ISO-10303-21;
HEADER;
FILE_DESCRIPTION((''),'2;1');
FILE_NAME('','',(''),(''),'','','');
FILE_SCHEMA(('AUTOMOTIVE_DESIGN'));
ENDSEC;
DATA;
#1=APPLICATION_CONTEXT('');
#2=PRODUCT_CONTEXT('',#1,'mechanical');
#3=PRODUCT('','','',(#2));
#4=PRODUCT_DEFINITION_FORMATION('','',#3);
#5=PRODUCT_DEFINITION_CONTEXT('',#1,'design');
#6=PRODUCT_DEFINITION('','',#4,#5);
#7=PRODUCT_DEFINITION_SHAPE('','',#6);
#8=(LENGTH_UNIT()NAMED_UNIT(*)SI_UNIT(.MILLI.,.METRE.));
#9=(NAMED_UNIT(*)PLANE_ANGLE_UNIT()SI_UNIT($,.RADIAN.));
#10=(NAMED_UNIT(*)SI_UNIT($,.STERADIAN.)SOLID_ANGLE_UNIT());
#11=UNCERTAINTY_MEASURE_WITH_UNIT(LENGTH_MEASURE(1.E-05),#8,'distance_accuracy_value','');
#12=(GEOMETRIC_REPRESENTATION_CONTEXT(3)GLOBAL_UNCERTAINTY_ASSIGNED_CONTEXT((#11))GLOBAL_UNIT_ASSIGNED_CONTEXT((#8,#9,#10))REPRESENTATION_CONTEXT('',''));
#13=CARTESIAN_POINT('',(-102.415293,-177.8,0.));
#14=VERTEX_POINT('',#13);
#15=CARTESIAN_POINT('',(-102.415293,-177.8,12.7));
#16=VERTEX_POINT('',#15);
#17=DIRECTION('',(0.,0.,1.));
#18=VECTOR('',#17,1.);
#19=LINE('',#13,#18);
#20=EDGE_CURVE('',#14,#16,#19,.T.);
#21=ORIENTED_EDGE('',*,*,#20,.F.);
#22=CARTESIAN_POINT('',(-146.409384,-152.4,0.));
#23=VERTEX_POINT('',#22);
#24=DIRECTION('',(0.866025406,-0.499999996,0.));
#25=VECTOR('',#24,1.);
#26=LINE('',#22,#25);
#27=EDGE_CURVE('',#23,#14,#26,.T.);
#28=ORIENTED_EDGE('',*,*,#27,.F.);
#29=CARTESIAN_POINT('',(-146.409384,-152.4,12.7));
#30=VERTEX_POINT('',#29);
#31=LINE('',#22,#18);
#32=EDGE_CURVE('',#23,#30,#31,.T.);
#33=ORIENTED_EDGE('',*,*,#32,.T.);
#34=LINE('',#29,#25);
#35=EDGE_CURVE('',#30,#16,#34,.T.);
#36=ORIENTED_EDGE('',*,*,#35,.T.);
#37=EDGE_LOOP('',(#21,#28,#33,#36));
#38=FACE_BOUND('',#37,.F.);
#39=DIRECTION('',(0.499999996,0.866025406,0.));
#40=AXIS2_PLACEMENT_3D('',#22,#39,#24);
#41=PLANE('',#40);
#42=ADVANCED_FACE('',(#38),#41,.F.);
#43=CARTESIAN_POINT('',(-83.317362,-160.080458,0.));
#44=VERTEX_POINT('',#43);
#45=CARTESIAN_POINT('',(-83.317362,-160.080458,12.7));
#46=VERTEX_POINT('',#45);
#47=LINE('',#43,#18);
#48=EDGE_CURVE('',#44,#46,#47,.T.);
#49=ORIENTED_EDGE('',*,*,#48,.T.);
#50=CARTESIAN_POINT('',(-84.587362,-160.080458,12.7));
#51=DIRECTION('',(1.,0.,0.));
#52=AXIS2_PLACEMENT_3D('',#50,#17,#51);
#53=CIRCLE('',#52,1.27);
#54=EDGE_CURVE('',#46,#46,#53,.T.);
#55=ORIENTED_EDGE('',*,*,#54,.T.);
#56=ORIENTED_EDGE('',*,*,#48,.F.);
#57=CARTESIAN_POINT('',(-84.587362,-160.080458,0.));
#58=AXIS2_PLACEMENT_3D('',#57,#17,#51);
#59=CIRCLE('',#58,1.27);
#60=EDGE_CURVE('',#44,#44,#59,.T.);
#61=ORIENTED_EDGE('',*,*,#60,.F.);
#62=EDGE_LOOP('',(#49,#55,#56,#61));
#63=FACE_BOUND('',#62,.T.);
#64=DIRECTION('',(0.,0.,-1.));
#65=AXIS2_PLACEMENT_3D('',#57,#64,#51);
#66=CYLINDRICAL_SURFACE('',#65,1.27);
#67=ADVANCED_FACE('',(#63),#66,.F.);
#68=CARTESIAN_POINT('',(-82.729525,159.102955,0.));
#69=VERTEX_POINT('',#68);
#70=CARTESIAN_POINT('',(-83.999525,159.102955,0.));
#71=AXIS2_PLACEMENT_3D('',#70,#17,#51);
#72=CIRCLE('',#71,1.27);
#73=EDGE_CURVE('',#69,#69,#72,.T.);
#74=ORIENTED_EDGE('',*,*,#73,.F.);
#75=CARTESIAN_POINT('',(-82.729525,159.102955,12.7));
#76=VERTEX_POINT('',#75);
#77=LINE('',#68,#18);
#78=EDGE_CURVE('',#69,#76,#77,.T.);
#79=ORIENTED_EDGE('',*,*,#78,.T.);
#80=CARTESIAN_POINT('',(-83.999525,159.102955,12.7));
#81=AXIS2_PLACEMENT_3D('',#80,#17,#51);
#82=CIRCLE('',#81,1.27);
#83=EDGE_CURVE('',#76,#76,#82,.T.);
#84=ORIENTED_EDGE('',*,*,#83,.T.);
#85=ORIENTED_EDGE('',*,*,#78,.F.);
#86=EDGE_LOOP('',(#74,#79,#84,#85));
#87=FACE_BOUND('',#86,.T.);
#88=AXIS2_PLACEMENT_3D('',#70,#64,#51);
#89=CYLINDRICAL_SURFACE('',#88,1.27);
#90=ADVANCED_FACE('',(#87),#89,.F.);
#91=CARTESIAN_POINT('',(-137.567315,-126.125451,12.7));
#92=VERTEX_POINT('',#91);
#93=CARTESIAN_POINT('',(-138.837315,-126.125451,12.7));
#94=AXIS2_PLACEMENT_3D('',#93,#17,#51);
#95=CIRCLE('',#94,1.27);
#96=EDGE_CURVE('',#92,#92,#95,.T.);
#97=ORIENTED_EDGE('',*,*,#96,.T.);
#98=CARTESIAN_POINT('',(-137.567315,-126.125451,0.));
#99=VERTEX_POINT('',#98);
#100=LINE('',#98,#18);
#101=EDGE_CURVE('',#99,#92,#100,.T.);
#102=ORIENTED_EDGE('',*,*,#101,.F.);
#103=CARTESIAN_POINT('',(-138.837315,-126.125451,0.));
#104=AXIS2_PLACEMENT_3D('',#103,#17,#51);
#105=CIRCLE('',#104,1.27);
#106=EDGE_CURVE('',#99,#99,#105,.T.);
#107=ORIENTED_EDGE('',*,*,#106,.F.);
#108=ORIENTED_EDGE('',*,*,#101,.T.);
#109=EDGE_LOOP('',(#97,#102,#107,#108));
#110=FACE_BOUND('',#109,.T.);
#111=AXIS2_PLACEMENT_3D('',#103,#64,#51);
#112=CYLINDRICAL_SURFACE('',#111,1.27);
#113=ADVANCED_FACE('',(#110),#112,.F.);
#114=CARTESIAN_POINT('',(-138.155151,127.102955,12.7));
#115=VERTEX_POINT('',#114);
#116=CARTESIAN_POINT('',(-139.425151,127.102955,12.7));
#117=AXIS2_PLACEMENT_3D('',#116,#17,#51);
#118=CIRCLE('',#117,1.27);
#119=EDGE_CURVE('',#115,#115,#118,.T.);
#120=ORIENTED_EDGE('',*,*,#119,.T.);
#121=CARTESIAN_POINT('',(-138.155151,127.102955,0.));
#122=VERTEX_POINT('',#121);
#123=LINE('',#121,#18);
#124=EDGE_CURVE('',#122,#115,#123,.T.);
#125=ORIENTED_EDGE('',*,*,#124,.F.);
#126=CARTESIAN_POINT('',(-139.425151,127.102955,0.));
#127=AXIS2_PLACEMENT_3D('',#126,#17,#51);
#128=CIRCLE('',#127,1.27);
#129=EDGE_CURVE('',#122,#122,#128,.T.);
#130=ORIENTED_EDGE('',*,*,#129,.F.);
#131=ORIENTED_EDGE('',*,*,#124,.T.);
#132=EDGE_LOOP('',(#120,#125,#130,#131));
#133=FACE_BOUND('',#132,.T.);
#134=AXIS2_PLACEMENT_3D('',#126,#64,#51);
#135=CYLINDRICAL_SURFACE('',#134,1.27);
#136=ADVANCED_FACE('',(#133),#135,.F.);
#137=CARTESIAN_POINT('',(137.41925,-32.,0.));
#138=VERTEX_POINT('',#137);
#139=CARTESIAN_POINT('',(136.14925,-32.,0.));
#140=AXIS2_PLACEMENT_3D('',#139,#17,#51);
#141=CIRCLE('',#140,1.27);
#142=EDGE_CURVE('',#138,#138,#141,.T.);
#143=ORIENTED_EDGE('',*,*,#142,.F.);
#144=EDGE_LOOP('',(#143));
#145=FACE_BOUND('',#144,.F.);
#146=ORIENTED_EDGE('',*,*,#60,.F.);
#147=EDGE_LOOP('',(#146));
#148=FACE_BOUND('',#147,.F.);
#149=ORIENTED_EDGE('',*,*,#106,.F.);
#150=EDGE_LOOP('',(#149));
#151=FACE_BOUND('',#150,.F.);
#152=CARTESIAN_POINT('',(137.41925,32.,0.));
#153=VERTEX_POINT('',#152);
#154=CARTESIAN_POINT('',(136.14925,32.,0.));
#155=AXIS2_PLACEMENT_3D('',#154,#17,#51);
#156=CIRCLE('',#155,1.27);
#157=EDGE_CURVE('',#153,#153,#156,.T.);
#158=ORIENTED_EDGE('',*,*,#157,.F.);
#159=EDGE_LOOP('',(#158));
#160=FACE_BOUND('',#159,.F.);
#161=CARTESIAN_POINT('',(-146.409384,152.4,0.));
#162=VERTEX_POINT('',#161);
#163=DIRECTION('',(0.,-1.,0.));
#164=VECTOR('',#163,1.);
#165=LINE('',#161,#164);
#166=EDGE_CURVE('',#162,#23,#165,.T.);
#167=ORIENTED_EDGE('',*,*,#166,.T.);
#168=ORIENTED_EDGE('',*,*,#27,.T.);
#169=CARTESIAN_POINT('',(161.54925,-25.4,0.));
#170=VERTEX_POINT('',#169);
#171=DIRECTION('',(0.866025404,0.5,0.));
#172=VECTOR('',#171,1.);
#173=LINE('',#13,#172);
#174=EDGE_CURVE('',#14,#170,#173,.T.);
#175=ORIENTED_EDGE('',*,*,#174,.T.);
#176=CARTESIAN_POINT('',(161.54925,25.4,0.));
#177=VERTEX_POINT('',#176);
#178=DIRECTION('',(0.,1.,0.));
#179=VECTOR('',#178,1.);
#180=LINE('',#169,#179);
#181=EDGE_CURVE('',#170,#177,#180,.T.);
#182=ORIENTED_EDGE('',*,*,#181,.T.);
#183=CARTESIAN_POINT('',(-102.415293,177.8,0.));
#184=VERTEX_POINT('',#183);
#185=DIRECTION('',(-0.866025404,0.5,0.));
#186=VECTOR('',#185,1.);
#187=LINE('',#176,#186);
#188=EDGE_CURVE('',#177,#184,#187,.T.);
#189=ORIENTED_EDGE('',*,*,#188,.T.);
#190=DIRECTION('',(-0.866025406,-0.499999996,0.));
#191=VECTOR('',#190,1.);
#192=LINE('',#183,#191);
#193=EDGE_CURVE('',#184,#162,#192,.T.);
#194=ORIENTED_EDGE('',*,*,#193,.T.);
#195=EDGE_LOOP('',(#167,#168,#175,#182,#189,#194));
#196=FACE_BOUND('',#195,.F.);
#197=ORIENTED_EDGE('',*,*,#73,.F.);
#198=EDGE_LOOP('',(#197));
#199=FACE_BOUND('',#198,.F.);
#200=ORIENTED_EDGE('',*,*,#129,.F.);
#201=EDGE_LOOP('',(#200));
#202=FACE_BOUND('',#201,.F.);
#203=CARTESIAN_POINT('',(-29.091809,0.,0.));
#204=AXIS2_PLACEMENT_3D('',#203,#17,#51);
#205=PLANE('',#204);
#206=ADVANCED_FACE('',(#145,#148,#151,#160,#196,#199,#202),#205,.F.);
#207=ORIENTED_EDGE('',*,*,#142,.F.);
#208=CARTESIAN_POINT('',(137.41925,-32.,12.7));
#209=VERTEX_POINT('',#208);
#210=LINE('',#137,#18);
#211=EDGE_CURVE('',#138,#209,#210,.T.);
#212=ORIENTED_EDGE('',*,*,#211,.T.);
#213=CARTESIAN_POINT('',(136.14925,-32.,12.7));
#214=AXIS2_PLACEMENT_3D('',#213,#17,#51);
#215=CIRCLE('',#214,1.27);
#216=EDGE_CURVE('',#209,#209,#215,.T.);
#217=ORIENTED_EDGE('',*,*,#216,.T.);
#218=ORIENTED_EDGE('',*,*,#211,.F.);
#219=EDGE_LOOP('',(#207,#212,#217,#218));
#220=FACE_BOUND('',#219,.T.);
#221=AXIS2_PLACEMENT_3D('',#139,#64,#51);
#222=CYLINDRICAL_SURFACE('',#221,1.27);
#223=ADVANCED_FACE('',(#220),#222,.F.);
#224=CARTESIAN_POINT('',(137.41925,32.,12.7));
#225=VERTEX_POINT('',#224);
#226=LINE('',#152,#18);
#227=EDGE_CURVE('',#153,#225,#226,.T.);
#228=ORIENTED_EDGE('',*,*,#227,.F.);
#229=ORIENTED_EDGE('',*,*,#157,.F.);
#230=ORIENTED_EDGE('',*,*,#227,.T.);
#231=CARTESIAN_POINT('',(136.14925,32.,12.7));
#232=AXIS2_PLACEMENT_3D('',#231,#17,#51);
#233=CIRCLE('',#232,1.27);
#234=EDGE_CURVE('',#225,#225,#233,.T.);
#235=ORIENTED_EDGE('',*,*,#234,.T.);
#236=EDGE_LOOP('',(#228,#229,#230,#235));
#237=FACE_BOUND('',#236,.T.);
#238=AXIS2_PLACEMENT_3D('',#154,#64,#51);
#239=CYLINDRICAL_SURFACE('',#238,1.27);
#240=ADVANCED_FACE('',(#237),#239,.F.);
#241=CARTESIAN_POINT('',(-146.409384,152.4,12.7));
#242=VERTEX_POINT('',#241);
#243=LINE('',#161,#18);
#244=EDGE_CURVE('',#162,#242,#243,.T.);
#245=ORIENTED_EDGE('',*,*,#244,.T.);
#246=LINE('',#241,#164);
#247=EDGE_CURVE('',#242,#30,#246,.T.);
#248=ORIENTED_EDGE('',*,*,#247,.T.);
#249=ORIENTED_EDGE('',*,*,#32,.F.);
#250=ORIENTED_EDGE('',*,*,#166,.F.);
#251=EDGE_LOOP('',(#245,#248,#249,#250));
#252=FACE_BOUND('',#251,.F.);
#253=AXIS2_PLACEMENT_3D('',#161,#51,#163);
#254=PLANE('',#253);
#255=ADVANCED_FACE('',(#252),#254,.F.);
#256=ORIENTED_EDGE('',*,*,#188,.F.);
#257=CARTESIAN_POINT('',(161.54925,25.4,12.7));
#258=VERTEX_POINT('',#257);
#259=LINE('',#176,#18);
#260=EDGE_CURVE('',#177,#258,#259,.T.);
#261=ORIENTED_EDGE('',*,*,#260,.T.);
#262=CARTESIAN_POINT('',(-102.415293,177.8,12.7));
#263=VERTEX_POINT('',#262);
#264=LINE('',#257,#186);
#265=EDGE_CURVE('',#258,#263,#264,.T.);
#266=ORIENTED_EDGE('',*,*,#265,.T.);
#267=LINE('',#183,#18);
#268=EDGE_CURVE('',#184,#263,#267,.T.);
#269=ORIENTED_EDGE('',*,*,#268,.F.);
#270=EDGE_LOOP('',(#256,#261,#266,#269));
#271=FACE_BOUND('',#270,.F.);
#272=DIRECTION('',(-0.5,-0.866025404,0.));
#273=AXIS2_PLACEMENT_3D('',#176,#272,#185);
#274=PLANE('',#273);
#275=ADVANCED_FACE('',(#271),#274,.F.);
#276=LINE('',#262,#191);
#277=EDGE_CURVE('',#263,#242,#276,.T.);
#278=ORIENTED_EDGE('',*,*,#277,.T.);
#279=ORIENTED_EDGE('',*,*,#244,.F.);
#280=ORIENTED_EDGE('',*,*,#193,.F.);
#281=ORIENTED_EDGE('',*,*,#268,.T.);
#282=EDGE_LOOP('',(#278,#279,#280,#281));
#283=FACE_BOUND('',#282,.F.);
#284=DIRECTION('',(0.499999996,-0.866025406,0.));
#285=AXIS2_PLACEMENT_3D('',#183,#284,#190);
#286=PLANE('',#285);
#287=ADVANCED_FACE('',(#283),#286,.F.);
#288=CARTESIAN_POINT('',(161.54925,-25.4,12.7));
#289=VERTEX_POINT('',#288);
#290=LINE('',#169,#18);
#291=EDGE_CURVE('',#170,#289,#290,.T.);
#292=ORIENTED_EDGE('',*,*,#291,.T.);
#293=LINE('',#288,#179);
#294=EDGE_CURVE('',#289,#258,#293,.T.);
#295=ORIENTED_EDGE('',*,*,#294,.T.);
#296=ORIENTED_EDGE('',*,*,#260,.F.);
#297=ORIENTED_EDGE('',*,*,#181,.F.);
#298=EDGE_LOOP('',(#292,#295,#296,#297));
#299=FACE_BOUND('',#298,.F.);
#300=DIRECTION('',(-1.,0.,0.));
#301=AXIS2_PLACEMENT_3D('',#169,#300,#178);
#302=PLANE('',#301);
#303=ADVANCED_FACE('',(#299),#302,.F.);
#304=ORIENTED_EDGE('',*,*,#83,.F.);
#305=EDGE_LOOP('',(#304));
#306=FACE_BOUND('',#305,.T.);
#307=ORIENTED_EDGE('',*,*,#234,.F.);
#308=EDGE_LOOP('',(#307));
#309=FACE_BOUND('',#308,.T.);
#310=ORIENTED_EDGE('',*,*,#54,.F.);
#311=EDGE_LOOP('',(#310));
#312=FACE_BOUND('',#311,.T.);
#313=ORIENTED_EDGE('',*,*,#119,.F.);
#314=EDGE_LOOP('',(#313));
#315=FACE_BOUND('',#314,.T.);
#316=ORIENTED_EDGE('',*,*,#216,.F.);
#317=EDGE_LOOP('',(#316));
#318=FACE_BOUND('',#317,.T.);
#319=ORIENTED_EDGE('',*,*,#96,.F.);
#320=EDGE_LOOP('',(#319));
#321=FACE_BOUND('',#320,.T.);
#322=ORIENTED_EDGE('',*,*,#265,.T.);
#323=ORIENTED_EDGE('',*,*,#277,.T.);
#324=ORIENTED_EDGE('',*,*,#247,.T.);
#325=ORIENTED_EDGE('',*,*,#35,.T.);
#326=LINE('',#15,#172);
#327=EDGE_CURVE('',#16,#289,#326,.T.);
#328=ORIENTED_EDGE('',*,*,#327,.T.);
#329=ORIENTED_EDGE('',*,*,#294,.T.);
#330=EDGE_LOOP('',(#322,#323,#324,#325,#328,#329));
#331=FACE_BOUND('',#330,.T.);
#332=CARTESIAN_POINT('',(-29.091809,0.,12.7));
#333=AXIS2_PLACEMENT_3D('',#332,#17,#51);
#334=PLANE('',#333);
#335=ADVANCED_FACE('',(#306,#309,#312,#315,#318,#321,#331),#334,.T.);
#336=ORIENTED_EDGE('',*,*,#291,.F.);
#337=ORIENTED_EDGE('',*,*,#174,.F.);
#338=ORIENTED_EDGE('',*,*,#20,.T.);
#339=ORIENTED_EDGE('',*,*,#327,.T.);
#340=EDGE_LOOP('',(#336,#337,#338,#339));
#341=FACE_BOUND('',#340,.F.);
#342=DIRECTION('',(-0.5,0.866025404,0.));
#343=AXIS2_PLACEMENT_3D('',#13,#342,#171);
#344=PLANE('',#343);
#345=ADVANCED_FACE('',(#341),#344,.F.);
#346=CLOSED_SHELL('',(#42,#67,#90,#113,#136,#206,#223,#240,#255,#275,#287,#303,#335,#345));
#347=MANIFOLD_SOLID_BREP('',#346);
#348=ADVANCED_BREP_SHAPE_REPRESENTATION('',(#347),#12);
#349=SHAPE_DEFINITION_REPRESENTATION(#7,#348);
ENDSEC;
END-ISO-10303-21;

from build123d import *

# Parameters (mm, degrees)
F0_R     = 1.27
F1_DEPTH = 12.7


with BuildPart() as f1:
    # F0 (on Top) → F1 (new body)
    with BuildSketch(Plane.XY):
        Polygon((-146.409384, 152.4), (-146.409384, -152.4), (-102.415293, -177.8), (161.54925, -25.4), (161.54925, 25.4), (-102.415293, 177.8), align=None)
        with Locations((-84.587362, -160.080458)):
            Circle(F0_R, mode=Mode.SUBTRACT)
        with Locations((-138.837315, -126.125451)):
            Circle(F0_R, mode=Mode.SUBTRACT)
        with Locations((136.14925, -32)):
            Circle(F0_R, mode=Mode.SUBTRACT)
        with Locations((-139.425151, 127.102955)):
            Circle(F0_R, mode=Mode.SUBTRACT)
        with Locations((-83.999525, 159.102955)):
            Circle(F0_R, mode=Mode.SUBTRACT)
        with Locations((136.14925, 32)):
            Circle(F0_R, mode=Mode.SUBTRACT)
    extrude(amount=F1_DEPTH)


solid = f1.part
